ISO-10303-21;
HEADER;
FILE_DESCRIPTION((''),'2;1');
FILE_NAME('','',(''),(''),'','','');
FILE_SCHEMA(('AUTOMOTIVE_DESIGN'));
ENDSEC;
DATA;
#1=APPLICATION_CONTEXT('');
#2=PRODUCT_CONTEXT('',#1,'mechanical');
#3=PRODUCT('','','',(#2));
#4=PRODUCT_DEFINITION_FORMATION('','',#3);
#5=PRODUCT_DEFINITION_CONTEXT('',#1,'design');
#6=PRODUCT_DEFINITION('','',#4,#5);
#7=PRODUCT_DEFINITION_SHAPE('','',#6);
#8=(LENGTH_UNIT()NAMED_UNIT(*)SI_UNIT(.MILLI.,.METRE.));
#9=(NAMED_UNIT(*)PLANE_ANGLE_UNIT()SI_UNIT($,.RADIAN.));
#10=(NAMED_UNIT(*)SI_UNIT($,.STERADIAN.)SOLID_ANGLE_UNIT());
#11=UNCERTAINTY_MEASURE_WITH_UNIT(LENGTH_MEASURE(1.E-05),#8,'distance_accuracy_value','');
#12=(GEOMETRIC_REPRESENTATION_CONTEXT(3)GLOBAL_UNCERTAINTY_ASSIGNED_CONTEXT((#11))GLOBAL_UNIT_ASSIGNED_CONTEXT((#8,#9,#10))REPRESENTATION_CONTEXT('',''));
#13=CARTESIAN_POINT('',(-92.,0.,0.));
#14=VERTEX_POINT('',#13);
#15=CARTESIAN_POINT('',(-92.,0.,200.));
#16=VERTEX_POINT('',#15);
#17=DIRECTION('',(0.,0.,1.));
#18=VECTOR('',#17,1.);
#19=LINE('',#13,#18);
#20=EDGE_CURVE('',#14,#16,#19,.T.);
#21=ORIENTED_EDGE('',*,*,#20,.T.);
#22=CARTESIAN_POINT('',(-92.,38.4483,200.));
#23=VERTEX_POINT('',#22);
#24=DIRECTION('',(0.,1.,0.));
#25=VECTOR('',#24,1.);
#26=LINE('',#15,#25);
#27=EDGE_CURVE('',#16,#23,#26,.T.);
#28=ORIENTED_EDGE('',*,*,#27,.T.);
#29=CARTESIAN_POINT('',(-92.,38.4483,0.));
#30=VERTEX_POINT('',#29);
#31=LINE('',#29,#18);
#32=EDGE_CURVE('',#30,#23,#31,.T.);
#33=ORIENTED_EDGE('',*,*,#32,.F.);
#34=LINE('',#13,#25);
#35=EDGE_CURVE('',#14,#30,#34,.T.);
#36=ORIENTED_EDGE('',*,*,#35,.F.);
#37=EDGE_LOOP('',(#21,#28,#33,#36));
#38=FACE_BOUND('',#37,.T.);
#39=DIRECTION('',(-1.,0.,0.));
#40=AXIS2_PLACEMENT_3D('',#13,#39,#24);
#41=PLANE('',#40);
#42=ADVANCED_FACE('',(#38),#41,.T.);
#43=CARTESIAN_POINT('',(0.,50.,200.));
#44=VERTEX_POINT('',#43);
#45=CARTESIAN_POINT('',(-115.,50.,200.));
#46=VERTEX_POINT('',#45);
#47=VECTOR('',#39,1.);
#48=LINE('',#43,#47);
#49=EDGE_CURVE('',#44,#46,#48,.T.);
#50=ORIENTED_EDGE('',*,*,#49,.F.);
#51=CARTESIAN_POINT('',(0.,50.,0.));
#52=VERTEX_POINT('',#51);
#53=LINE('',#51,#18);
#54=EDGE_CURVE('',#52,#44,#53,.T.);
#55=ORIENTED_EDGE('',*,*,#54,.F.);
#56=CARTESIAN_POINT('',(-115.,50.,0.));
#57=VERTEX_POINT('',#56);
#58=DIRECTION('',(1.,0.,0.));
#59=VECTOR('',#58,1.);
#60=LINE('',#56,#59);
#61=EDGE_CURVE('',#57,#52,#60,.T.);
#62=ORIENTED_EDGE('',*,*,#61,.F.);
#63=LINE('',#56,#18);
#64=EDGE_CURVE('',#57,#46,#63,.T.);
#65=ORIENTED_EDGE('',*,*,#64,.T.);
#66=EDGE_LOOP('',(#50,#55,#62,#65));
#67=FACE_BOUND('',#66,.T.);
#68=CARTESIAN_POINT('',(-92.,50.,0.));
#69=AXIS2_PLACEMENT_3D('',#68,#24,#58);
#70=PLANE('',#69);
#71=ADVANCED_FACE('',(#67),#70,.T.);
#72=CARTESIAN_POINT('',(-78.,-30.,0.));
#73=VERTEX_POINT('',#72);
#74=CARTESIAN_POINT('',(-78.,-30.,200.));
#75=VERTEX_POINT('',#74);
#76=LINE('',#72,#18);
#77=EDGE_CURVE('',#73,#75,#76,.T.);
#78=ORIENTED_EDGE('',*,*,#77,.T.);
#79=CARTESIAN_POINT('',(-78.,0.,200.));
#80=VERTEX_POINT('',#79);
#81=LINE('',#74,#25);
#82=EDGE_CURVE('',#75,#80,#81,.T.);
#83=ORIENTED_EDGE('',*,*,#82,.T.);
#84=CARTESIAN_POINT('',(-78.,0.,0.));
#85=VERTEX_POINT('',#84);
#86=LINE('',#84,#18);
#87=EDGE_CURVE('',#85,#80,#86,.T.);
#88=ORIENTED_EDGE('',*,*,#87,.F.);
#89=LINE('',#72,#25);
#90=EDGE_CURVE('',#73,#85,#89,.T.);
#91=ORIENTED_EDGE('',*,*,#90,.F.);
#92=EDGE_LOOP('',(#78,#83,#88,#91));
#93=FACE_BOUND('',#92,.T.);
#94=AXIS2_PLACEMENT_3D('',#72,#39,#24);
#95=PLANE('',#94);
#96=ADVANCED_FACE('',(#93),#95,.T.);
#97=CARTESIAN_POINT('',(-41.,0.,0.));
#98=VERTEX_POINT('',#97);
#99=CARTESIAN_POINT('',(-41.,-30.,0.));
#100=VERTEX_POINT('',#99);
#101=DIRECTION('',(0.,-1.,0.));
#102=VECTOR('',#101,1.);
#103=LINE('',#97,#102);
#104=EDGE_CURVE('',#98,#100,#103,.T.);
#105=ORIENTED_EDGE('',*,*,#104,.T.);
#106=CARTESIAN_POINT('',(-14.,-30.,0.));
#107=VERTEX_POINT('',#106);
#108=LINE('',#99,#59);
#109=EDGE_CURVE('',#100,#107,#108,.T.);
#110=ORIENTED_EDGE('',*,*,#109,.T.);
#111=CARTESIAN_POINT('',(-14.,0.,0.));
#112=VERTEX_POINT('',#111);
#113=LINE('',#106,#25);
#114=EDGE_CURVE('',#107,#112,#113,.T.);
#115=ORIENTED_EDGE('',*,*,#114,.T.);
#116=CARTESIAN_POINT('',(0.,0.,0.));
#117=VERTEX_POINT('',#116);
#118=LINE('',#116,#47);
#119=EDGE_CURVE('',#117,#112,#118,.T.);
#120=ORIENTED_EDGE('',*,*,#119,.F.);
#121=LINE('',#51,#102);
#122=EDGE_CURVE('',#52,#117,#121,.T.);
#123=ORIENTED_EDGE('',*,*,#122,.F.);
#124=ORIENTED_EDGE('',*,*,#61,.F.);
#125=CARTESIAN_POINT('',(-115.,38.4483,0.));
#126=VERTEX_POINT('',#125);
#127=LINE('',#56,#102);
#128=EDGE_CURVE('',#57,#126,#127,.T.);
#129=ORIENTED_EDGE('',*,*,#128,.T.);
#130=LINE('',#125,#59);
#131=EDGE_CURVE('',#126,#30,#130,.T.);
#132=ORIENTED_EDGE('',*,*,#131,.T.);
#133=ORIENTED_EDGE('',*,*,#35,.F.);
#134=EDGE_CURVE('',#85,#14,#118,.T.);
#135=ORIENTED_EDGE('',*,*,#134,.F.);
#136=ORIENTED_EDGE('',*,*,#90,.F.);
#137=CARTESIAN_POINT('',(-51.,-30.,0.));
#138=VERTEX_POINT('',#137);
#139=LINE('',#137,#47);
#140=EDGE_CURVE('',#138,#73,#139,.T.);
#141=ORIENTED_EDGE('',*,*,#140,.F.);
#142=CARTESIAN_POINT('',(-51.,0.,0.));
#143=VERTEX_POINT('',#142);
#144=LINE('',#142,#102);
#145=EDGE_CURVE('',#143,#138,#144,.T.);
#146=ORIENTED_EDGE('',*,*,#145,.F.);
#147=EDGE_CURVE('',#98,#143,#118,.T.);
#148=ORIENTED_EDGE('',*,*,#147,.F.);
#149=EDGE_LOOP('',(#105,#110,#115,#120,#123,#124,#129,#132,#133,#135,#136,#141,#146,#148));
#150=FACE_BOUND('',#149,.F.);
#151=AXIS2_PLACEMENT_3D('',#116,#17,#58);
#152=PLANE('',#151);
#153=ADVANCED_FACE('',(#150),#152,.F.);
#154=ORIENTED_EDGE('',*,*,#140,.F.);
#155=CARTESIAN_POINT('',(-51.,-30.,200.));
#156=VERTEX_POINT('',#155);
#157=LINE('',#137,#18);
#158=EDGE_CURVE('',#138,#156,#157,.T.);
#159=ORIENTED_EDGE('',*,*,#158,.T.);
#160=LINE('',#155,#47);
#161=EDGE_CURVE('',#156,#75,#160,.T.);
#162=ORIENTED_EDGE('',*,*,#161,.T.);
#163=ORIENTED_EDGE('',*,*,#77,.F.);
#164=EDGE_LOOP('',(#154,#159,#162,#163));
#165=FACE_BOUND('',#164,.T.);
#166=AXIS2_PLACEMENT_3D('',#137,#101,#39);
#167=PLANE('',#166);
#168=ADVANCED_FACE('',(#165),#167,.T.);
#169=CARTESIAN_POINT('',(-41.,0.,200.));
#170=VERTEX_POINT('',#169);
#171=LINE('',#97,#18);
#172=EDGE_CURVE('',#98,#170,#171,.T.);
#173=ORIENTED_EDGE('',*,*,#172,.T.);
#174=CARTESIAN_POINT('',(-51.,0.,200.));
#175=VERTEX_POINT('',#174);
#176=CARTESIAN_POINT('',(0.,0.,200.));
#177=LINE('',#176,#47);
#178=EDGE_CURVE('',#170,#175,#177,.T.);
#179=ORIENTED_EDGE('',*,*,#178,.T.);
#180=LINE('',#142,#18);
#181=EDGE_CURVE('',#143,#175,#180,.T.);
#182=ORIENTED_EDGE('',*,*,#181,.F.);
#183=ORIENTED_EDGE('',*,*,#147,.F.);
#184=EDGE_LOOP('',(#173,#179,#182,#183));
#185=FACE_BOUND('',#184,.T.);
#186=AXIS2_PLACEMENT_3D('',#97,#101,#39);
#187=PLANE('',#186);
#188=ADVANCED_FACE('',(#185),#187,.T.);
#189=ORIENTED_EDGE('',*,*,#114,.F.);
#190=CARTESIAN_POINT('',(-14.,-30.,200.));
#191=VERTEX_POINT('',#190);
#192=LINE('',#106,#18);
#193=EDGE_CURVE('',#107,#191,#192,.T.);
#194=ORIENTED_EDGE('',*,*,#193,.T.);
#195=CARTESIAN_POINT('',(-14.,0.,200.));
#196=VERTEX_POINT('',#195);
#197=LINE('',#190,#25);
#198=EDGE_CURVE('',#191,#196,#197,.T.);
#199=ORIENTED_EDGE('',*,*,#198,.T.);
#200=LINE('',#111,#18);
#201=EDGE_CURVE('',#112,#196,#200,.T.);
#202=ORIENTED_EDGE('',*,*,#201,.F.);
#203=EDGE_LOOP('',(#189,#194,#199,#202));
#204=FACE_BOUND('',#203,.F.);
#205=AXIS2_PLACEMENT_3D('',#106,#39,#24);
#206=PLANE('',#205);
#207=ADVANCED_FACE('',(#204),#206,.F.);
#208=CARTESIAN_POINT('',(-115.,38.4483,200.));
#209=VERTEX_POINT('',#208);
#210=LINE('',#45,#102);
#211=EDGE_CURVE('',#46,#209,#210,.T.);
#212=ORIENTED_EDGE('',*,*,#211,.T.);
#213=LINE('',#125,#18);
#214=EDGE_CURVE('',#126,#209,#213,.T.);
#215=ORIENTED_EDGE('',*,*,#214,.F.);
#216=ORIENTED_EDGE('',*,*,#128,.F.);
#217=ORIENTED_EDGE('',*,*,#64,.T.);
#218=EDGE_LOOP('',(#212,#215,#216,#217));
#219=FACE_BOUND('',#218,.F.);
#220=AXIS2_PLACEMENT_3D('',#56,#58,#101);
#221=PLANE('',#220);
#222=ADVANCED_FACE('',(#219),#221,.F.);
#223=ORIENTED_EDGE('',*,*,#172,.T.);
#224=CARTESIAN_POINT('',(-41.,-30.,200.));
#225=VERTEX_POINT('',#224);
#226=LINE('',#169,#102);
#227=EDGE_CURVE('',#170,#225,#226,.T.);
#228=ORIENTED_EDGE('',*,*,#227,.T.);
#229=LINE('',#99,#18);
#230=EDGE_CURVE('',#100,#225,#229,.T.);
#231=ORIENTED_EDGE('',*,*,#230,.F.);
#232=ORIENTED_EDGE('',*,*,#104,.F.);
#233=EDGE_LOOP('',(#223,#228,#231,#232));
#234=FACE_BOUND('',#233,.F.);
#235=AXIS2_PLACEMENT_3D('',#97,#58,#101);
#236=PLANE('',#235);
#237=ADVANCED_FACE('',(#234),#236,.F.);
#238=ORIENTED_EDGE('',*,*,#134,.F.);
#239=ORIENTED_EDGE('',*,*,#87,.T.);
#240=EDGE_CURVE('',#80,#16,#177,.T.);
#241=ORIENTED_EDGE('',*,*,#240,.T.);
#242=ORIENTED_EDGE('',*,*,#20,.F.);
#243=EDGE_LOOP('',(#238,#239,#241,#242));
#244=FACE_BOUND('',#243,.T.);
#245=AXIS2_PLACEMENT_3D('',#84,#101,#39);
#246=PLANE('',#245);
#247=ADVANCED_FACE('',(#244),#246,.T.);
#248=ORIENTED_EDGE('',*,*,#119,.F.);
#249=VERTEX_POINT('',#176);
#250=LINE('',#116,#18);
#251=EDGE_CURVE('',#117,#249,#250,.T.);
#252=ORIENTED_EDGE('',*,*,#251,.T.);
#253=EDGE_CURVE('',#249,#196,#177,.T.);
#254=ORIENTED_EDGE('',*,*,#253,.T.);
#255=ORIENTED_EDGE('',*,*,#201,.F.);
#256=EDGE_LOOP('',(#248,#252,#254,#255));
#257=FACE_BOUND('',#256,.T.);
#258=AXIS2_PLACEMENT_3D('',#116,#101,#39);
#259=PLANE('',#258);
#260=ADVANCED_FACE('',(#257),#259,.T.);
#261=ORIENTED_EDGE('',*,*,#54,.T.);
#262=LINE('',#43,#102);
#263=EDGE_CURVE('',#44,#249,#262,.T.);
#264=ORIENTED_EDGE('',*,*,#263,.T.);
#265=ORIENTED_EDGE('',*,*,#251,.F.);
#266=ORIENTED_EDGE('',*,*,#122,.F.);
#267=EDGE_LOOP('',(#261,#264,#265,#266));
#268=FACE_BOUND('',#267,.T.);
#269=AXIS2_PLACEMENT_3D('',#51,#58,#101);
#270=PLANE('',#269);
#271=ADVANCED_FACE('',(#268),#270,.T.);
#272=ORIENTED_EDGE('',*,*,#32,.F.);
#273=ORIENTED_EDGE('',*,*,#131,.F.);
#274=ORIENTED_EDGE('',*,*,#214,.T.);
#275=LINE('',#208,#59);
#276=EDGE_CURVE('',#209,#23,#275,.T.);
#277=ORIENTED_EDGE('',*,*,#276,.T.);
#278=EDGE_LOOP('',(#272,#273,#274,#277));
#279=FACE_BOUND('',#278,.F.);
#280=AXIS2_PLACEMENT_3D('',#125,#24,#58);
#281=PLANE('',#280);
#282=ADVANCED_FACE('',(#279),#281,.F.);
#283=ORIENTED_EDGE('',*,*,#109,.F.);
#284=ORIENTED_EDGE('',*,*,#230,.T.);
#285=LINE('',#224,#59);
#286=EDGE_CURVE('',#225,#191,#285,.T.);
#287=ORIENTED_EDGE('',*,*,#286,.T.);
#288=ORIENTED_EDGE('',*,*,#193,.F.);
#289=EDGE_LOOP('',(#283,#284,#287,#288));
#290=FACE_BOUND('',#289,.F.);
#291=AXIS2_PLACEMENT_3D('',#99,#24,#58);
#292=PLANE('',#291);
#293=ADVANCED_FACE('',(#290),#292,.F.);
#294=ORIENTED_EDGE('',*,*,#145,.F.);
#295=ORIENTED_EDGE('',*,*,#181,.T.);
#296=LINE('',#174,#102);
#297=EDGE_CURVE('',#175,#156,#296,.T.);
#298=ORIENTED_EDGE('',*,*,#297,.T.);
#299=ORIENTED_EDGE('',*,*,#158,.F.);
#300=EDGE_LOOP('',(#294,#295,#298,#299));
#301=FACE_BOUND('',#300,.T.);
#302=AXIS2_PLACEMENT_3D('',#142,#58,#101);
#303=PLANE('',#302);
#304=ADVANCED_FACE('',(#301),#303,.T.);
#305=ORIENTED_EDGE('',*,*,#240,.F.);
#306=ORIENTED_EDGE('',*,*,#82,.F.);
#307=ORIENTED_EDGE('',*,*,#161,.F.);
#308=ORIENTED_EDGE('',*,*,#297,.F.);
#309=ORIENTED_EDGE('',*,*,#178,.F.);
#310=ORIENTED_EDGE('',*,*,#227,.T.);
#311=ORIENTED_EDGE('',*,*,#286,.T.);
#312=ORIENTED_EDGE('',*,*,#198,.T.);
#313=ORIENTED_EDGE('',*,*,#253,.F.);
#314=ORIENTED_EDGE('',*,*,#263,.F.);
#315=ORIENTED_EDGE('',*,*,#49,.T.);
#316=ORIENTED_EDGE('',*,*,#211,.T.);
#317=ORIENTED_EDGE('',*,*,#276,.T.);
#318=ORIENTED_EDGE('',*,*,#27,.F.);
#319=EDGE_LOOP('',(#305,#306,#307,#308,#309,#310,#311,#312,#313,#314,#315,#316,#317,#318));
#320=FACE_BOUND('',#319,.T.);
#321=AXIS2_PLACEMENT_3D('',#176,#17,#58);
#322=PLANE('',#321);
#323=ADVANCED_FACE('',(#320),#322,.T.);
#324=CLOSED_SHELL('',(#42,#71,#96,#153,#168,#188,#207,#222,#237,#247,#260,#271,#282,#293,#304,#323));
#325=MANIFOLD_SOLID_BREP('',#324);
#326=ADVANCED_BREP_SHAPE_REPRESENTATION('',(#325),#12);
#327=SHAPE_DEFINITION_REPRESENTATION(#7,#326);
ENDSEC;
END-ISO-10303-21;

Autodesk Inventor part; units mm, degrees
ref_plane "YZ Plane" through (0, 0, 0) normal (1, 0, 0) x (0, 1, 0)
ref_plane "XZ Plane" through (0, 0, 0) normal (0, 1, 0) x (-1, 0, 0)
ref_plane "XY Plane" through (0, 0, 0) normal (0, 0, 1) x (1, 0, 0)
sketch "Sketch1" plane through (0, 0, 0) normal (0, 0, 1) x (1, 0, 0)
  line L0 (0, 0) -> (-92, 0)
  line L1 (-92, 0) -> (-92, 50)
  line L2 (-92, 50) -> (0, 50)
  line L3 (0, 50) -> (0, 0)
  line L4 (-92, 50) -> (-115, 50)
  line L5 (-115, 50) -> (-115, 38.4483)
  line L6 (-115, 38.4483) -> (-92, 38.4483)
  line L7 (-92, 38.4483) -> (-92, 50)
  line L8 (-14, 0) -> (-41, 0)
  line L9 (-41, 0) -> (-41, -30)
  line L10 (-41, -30) -> (-14, -30)
  line L11 (-14, -30) -> (-14, 0)
  line L12 (-78, 0) -> (-51, 0)
  line L13 (-51, 0) -> (-51, -30)
  line L14 (-51, -30) -> (-78, -30)
  line L15 (-78, -30) -> (-78, 0)
  dimension "d0" = 92
  dimension "d1" = 50
  dimension "d2" = 23
  dimension "d3" = 27
  dimension "d4" = 27
  dimension "d5" = 30
  dimension "d6" = 14
  dimension "d7" = 14
  dimension "d8" = 10
extrude "Extrusion1" add sketch "Sketch1" along normal blind 200
equation "\"d4\" = d3"
properties part number "AblakProfil"
